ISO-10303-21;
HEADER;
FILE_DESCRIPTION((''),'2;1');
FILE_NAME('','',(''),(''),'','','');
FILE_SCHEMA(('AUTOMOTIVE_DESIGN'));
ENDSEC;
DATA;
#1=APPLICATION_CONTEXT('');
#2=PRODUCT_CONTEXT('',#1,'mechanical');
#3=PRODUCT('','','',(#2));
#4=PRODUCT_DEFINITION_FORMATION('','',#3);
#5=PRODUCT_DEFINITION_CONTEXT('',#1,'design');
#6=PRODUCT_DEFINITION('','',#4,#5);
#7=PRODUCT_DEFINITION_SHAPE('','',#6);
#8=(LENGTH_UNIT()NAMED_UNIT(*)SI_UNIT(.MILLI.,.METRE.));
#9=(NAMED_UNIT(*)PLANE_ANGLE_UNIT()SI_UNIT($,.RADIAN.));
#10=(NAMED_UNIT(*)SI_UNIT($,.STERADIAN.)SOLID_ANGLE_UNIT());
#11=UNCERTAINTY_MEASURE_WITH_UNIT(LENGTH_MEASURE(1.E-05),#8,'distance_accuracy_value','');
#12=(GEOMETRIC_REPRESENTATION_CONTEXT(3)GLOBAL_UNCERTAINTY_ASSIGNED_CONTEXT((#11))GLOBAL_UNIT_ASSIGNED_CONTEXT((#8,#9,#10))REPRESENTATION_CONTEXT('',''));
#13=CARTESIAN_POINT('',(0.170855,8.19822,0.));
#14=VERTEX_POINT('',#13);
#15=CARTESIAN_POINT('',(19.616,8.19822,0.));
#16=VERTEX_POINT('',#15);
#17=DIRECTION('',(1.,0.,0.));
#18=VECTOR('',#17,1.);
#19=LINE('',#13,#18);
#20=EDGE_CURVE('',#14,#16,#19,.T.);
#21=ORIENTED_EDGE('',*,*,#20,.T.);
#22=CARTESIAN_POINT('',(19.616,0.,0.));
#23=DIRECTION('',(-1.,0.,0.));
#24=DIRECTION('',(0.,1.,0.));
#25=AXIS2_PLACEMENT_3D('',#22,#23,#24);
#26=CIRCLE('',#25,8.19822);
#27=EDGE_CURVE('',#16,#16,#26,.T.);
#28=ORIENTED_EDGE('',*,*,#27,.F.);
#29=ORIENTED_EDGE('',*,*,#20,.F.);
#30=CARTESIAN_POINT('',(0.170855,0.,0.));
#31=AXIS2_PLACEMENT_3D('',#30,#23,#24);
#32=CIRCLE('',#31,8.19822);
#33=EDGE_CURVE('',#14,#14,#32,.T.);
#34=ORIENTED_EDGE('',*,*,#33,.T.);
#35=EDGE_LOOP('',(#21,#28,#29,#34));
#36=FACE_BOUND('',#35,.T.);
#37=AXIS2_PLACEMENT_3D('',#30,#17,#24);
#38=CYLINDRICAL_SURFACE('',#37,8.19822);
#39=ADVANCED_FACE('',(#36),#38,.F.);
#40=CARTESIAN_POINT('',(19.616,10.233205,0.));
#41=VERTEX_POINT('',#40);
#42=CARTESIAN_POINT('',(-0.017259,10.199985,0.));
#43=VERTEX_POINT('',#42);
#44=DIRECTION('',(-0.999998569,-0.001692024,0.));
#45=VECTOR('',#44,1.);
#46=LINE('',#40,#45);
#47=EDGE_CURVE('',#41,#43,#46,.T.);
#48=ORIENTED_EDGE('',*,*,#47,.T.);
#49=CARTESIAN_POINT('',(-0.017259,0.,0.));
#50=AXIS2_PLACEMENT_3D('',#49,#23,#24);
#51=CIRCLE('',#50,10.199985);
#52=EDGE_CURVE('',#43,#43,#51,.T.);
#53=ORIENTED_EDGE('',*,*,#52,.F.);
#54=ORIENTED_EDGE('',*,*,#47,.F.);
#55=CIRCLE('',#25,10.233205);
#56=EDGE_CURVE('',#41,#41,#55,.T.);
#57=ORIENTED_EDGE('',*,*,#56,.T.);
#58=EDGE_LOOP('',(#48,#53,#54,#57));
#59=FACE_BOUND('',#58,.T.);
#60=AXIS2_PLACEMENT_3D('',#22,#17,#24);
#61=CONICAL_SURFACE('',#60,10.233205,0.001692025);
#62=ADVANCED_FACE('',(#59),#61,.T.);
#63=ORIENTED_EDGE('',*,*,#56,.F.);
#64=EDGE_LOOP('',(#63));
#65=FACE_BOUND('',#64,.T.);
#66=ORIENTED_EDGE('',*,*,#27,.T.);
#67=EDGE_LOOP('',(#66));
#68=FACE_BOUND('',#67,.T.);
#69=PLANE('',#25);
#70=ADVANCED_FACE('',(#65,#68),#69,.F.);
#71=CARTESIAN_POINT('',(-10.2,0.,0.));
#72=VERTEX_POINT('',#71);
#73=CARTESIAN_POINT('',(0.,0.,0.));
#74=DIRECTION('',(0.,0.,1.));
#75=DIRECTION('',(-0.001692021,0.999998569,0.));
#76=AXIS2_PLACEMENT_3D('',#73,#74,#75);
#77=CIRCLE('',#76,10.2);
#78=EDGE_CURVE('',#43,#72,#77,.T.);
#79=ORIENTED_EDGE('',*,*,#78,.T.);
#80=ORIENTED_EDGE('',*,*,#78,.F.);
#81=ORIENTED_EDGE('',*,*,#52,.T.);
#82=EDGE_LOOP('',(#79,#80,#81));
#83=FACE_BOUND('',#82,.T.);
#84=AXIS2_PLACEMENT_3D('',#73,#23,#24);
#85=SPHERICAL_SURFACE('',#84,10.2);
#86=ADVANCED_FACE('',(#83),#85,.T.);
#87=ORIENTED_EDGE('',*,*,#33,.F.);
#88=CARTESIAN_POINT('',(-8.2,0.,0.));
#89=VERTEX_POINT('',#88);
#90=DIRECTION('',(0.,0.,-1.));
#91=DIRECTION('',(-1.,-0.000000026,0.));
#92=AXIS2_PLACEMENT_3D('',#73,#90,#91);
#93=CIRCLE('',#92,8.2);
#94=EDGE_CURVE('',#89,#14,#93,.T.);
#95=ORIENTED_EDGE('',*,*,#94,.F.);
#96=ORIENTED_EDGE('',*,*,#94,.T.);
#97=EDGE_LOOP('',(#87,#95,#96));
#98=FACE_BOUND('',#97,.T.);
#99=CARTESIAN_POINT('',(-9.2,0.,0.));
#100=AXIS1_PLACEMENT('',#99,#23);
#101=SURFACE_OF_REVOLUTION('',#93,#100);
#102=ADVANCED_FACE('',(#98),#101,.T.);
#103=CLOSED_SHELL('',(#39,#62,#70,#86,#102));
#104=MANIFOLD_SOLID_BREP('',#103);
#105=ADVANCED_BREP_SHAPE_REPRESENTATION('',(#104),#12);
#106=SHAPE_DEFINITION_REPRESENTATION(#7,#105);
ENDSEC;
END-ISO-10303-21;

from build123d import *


with BuildPart() as f1:
    # F0 (on Top) → F1 (revolve)
    with BuildSketch(Plane.XY):
        with BuildLine():
            ThreePointArc((6.068706, 8.19822), (3.186969, 9.689336), (-0.017259, 10.199985))
            ThreePointArc((-0.017259, 10.199985), (-7.218588, 7.206385), (-10.2, 0))
            Line((-10.2, 0), (-8.2, 0))
            ThreePointArc((-8.2, 0), (-5.737551, 5.858371), (0.170855, 8.19822))
            Line((0.170855, 8.19822), (6.068706, 8.19822))
        make_face()
        with BuildLine():
            Line((19.616, 10.233205), (-0.017259, 10.199985))
            ThreePointArc((-0.017259, 10.199985), (3.186969, 9.689336), (6.068706, 8.19822))
            Line((6.068706, 8.19822), (19.616, 8.19822))
            Line((19.616, 8.19822), (19.616, 10.233205))
        make_face()
    revolve(axis=Axis((-9.2, 0, 0), (-1, 0, 0)))


solid = f1.part
